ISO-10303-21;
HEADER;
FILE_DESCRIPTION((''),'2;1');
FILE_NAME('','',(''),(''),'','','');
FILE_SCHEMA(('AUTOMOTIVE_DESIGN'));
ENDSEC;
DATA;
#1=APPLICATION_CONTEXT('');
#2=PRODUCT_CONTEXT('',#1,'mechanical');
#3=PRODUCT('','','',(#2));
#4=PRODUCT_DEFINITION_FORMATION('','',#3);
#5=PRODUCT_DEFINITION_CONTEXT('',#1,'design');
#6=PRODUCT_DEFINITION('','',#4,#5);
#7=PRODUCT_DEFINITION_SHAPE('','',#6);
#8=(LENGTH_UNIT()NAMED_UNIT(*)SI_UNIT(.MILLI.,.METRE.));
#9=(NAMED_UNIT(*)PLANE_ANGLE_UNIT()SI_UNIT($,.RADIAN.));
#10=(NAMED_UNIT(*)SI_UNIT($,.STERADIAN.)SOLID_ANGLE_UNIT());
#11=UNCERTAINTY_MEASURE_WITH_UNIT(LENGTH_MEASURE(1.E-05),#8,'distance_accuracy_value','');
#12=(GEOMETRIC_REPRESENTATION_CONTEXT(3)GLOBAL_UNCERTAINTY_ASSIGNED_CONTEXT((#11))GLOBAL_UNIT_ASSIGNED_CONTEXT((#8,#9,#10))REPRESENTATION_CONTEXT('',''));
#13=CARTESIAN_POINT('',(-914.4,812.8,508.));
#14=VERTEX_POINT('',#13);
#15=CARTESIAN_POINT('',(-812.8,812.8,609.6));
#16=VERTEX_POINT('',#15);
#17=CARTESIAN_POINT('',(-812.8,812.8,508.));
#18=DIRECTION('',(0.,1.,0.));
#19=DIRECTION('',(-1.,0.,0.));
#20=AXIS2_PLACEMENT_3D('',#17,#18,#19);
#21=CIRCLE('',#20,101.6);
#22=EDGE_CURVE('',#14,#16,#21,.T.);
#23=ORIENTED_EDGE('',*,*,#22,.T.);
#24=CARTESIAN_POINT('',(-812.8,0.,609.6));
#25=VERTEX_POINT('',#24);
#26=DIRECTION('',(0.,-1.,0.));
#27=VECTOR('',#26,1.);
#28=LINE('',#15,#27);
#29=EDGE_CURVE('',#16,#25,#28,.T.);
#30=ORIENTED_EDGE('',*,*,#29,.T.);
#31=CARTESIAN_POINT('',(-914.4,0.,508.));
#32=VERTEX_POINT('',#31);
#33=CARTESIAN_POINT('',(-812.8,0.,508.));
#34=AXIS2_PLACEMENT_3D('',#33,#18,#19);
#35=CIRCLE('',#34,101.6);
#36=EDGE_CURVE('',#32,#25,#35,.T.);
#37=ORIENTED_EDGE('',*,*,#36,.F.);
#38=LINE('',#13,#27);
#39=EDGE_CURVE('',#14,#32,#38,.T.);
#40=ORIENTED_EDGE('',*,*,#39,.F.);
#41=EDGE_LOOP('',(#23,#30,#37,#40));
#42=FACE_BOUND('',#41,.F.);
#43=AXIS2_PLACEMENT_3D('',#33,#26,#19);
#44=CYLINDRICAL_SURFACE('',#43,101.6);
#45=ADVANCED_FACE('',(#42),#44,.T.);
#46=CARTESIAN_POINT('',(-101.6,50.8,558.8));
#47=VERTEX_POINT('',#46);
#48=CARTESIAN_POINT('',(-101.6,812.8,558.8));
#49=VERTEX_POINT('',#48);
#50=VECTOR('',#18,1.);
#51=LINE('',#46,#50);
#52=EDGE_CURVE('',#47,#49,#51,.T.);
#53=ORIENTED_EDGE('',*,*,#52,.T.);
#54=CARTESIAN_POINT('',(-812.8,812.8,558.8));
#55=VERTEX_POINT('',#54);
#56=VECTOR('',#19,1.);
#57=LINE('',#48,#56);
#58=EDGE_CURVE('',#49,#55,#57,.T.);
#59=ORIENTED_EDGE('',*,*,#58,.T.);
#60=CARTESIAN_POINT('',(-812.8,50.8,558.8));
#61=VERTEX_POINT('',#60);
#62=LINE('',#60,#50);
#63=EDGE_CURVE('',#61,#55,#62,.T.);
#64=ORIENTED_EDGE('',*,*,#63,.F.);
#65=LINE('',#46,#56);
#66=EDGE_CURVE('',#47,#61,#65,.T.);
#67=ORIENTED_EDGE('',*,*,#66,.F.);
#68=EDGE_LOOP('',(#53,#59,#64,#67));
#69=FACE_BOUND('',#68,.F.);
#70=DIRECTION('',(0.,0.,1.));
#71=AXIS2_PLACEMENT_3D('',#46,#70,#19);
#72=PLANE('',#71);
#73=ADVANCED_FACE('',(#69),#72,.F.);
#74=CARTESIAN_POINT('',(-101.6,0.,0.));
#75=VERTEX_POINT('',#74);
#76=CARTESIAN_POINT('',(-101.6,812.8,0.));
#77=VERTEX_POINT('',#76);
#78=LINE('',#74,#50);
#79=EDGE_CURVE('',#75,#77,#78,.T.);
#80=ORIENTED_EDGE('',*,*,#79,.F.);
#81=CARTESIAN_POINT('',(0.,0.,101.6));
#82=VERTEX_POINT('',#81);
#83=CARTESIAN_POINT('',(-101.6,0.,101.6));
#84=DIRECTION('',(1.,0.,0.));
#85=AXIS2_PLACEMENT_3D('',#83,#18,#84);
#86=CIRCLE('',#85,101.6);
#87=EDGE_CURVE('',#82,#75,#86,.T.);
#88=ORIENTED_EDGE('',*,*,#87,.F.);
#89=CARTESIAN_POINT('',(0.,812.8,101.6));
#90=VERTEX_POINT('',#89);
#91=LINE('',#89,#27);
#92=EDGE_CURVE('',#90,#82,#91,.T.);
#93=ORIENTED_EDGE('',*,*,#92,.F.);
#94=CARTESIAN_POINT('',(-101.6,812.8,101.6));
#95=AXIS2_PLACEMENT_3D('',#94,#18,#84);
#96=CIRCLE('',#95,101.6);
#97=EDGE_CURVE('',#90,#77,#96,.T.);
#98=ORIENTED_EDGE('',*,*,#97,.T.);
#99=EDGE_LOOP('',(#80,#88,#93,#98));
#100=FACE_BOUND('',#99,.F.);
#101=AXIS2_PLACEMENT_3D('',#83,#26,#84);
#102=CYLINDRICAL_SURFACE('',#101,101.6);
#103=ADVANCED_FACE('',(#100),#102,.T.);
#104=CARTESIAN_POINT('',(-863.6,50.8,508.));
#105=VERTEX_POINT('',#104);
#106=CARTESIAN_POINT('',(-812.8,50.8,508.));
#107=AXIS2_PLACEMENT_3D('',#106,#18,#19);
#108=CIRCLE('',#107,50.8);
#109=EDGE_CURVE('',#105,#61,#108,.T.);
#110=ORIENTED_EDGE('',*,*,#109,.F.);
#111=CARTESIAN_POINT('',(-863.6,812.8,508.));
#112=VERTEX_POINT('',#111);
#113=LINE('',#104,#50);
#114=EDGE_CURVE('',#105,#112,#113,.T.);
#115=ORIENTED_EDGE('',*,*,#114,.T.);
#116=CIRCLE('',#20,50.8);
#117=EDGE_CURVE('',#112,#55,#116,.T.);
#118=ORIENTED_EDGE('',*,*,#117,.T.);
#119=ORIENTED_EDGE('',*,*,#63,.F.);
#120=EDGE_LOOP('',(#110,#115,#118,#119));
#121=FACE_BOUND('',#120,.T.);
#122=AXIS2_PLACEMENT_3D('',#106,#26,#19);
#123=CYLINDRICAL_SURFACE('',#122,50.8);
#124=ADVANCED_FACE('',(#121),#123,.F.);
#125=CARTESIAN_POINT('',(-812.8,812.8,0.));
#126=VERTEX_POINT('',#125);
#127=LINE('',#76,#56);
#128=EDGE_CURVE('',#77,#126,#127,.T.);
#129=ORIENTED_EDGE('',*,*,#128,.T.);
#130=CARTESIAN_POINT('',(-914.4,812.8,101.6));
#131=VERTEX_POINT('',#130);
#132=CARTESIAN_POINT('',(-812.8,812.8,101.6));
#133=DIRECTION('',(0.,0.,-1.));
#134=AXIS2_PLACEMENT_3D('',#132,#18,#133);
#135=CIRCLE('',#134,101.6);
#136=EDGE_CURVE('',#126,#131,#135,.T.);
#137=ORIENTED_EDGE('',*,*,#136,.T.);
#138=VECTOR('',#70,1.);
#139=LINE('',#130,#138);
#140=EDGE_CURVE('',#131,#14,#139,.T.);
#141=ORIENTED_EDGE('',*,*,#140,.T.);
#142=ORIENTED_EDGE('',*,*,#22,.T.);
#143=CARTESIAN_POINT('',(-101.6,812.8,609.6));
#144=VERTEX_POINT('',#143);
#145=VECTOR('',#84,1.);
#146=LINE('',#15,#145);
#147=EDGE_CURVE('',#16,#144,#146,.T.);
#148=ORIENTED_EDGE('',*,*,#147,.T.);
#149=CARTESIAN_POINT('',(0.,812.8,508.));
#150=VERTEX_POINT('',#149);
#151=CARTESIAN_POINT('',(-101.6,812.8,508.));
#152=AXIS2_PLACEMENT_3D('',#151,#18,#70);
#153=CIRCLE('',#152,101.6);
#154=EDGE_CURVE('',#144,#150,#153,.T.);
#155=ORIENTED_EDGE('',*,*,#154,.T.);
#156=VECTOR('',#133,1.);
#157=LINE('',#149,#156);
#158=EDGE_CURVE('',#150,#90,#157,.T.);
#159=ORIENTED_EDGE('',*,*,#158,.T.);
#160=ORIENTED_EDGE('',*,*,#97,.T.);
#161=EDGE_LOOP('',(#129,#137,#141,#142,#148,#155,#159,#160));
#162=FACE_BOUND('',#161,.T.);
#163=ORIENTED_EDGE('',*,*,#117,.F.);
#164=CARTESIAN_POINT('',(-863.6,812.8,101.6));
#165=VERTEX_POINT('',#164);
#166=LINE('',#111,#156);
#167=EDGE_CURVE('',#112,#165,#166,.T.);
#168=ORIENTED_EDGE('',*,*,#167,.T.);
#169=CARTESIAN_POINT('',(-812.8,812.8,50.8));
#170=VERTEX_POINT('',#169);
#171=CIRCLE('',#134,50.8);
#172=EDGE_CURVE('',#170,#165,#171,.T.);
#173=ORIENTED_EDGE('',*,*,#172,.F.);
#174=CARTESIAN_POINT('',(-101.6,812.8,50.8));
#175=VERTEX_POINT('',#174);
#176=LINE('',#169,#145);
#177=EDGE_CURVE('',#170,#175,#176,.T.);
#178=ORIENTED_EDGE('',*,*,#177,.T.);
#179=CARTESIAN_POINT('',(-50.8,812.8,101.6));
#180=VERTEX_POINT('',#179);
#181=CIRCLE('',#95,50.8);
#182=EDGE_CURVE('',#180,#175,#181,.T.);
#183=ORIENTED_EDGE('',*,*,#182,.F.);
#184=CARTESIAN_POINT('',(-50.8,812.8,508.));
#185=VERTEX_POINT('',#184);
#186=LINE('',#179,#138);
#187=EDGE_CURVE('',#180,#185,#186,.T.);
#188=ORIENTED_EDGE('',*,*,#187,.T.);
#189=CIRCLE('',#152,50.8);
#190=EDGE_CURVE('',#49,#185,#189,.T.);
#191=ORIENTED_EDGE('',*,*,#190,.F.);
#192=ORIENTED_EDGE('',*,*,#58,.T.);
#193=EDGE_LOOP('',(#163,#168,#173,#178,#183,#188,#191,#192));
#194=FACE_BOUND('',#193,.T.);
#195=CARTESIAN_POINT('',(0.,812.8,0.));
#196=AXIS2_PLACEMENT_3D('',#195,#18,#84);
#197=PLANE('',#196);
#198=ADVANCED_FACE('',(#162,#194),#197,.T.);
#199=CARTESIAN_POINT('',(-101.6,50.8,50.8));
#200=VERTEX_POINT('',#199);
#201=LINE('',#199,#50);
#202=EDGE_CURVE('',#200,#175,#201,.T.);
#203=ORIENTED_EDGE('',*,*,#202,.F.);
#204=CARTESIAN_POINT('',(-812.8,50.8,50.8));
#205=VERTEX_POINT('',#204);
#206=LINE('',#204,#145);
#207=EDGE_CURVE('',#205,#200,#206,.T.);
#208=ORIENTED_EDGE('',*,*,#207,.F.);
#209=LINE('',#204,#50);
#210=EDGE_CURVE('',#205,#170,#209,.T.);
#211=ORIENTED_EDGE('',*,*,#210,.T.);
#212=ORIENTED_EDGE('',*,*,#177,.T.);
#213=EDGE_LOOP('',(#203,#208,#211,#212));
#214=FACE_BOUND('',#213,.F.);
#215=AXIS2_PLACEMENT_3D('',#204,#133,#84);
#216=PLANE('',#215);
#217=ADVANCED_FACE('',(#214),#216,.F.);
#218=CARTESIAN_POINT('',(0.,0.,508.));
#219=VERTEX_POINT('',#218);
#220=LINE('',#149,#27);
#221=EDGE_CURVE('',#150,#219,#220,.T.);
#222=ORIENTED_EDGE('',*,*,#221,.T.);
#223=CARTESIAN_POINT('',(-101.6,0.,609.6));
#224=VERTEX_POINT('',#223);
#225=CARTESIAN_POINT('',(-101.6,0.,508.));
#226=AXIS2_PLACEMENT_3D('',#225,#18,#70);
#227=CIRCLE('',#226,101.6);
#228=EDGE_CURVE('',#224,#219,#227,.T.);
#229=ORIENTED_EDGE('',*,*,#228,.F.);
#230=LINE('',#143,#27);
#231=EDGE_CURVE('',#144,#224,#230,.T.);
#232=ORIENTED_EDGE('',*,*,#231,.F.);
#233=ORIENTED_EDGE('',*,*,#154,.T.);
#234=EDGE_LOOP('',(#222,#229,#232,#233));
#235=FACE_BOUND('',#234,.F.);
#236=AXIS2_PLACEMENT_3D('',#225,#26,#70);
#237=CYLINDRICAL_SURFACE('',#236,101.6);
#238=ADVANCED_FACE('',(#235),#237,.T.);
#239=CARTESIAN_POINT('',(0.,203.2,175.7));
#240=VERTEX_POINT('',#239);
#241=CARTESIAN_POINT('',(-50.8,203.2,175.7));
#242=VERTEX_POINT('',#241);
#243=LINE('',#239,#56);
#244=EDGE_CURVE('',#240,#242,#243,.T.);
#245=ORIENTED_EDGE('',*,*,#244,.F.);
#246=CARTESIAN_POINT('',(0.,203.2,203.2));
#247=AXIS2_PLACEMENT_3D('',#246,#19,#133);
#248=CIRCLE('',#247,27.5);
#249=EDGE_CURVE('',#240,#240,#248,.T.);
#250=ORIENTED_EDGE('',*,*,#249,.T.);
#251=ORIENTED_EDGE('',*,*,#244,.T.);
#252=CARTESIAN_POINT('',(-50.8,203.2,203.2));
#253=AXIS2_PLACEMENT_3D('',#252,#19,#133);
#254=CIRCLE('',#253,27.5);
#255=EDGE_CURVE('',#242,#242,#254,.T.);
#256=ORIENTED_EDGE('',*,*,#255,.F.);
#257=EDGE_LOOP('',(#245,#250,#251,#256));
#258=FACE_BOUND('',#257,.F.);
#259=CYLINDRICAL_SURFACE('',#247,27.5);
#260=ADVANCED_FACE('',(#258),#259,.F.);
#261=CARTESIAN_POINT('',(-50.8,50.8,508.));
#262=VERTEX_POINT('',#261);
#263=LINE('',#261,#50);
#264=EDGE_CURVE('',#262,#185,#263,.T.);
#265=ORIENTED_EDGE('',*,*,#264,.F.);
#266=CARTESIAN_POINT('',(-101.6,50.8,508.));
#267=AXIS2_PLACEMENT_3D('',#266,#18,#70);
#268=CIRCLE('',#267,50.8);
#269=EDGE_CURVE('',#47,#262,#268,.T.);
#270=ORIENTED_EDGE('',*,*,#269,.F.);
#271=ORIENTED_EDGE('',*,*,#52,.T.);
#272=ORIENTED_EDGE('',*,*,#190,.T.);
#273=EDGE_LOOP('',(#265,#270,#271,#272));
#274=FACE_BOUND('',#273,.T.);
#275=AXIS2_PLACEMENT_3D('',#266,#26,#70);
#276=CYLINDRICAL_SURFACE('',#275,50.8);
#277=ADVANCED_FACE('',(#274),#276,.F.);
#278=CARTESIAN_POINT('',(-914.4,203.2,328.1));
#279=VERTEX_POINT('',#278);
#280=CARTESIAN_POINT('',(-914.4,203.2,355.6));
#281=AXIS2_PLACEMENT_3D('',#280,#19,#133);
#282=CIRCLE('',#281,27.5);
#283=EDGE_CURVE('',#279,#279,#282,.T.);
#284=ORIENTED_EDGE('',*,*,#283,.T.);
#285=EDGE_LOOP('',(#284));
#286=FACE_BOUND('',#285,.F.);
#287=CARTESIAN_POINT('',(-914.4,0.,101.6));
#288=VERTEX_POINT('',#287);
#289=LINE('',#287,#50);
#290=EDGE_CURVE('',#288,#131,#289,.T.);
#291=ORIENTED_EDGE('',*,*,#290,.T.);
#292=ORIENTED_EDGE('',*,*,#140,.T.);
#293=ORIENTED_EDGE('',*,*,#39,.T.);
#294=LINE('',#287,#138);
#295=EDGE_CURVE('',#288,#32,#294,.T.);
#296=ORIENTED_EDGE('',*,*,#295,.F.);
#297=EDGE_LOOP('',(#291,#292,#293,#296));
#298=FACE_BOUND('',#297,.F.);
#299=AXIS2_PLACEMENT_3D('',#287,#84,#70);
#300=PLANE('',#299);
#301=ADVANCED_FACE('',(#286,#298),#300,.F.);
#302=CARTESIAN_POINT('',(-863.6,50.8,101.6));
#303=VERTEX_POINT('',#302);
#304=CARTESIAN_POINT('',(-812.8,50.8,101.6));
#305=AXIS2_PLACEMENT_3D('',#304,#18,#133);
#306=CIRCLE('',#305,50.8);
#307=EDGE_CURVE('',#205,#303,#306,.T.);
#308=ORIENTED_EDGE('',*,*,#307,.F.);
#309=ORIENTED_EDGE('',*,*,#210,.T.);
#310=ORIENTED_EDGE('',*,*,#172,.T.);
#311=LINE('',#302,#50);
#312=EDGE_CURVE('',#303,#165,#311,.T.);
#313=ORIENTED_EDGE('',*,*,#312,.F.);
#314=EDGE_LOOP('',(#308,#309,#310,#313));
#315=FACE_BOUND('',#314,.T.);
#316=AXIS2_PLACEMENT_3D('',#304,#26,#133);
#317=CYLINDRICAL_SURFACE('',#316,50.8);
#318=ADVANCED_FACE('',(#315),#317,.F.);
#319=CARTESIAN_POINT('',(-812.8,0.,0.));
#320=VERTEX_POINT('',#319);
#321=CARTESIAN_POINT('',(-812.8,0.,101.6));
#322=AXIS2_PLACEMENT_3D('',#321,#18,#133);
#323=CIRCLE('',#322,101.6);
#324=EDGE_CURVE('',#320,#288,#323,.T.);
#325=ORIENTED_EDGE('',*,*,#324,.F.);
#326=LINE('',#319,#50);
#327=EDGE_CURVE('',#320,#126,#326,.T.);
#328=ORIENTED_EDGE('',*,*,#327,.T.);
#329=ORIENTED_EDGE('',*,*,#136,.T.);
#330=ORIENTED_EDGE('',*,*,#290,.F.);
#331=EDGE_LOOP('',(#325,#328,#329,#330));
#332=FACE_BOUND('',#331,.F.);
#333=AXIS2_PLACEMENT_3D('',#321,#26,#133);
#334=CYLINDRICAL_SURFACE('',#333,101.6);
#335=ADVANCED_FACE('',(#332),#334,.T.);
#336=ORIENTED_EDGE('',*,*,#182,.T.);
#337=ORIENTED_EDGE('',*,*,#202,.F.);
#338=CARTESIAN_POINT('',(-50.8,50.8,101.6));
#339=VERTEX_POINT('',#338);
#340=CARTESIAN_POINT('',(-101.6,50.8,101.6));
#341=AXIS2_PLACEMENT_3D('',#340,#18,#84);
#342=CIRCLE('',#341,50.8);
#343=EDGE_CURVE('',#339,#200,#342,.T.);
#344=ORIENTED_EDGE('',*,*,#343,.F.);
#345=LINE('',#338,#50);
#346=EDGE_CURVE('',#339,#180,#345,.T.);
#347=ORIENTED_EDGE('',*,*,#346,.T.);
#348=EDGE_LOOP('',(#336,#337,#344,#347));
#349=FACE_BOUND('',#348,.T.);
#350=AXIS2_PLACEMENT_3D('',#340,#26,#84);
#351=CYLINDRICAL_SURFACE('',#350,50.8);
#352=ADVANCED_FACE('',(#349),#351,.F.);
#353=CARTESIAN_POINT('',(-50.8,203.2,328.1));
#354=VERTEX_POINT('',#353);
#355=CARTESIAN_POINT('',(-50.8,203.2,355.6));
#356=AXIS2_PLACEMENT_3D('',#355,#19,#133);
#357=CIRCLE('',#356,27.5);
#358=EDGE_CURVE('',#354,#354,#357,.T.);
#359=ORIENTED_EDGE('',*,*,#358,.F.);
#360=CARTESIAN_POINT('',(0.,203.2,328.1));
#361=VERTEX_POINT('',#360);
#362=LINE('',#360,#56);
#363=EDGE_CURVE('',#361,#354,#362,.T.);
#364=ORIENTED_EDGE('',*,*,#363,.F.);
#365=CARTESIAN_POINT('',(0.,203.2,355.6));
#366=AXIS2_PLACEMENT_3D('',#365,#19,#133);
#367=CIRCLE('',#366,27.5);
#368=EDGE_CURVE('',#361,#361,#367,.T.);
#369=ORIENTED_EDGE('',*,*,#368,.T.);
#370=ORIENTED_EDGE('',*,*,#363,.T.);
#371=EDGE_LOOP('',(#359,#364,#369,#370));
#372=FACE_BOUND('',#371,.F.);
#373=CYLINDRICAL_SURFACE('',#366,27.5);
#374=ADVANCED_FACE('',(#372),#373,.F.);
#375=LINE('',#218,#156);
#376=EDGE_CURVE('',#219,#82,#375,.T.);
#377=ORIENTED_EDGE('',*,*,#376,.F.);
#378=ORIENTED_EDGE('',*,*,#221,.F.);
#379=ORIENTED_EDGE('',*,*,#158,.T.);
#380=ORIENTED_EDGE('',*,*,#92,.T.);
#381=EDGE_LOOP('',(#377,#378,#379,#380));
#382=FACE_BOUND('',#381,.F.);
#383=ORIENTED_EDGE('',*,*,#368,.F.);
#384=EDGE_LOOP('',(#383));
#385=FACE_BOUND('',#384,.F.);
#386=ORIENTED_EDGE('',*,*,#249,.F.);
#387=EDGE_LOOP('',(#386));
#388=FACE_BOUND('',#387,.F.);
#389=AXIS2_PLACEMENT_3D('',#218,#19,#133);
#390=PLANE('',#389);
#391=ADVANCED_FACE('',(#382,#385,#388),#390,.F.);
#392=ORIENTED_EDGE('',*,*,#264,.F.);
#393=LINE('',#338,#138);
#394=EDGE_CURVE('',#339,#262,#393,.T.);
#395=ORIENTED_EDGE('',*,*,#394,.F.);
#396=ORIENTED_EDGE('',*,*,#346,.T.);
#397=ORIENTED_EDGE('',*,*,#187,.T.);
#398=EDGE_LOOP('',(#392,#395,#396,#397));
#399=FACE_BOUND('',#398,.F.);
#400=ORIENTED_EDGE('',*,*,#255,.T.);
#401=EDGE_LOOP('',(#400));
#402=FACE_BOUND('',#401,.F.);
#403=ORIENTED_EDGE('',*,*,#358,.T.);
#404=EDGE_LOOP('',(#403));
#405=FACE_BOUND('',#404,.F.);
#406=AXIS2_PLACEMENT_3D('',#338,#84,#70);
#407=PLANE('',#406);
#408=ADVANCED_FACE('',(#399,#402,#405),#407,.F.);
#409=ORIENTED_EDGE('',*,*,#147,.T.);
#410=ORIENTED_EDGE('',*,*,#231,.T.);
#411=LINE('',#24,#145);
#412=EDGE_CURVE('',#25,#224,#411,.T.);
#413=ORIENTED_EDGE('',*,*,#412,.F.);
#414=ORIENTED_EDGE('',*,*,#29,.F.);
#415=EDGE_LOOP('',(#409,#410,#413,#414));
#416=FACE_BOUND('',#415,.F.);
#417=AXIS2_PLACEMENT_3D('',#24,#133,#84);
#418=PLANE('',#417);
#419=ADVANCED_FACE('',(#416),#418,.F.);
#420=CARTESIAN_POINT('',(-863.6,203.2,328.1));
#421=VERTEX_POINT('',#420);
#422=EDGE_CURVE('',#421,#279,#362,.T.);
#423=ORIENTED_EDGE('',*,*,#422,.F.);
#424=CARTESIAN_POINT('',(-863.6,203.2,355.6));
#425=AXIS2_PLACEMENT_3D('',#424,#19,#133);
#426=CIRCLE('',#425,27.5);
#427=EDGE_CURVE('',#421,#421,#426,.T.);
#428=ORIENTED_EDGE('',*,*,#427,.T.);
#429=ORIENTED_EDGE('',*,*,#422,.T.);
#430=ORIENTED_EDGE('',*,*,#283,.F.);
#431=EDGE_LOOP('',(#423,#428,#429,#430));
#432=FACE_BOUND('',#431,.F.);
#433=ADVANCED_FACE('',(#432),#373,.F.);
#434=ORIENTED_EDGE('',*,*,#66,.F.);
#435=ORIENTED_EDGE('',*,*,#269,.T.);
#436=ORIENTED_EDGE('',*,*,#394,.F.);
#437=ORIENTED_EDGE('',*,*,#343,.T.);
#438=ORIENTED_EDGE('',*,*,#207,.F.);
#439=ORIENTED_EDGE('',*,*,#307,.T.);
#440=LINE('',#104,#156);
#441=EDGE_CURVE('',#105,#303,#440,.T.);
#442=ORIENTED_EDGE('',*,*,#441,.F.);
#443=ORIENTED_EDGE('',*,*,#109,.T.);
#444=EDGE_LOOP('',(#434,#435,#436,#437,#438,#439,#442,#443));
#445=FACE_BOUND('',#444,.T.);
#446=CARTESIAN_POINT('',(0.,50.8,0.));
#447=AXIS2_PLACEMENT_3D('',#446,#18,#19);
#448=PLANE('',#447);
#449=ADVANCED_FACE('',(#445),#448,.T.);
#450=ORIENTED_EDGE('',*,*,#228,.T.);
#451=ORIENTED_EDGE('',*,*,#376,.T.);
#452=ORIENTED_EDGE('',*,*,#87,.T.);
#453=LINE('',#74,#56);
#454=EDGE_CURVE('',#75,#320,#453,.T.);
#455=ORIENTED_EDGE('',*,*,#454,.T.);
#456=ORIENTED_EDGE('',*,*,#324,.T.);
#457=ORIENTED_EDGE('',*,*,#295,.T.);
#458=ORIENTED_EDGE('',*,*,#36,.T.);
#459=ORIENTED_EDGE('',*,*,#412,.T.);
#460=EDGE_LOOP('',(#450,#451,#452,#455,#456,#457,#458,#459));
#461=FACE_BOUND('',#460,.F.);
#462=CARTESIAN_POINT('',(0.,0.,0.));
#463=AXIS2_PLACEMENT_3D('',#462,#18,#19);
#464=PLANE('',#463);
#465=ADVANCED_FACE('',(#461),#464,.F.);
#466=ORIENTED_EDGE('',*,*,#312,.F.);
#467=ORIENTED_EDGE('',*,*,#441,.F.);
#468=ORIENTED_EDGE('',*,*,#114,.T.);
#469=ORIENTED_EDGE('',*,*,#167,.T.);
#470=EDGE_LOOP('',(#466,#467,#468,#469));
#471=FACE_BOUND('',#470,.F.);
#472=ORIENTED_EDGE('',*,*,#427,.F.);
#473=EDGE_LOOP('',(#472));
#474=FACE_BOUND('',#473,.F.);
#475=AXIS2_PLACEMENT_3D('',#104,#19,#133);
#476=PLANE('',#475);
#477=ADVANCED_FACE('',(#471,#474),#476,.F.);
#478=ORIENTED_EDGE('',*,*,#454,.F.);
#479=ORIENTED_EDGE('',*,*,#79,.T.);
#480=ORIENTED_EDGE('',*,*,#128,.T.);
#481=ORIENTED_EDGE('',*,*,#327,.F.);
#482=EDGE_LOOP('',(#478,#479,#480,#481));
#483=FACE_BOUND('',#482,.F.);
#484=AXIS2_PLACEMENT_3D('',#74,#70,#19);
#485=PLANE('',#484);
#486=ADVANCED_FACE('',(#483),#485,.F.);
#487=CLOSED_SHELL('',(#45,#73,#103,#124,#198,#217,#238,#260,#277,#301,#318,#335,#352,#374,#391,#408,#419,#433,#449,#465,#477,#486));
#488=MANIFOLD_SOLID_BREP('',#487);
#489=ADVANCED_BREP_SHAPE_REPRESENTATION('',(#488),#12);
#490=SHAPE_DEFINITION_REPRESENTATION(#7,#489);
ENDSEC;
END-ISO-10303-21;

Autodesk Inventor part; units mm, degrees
ref_plane "YZ Plane" through (0, 0, 0) normal (1, 0, 0) x (0, 1, 0)
ref_plane "XZ Plane" through (0, 0, 0) normal (0, 1, 0) x (-1, 0, 0)
ref_plane "XY Plane" through (0, 0, 0) normal (0, 0, 1) x (1, 0, 0)
sketch "Sketch1" plane through (0, 0, 0) normal (0, 1, 0) x (-1, 0, 0)
  line L0 (101.6, 0) -> (812.8, 0)
  line L1 (914.4, 101.6) -> (914.4, 508)
  line L2 (812.8, 609.6) -> (101.6, 609.6)
  line L3 (0, 508) -> (0, 101.6)
  arc A0 (101.6, 609.6) -> (0, 508) centre (101.6, 508) ccw
  arc A1 (0, 101.6) -> (101.6, 0) centre (101.6, 101.6) ccw
  arc A2 (812.8, 0) -> (914.4, 101.6) centre (812.8, 101.6) ccw
  arc A3 (914.4, 508) -> (812.8, 609.6) centre (812.8, 508) ccw
  point P0 (0, 0)
  point P1 (914.4, 609.6)
  point P2 (914.4, 0)
  point P3 (0, 609.6)
  dimension "d0" = 914.4
  dimension "d1" = 609.6
  dimension "d9" = 101.6
extrude "Extrusion1" add sketch "Sketch1" along normal blind 50.8
sketch "Sketch3" plane through (0, 50.8, 0) normal (0, 1, 0) x (1, 0, 0)
  line L0 (0, -508) -> (0, -101.6) projected
  arc A0 (0, -101.6) -> (-101.6, 0) centre (-101.6, -101.6) ccw projected
  line L1 (-101.6, 0) -> (-812.8, 0) projected
  arc A1 (-812.8, 0) -> (-914.4, -101.6) centre (-812.8, -101.6) ccw projected
  line L2 (-914.4, -101.6) -> (-914.4, -508) projected
  arc A2 (-914.4, -508) -> (-812.8, -609.6) centre (-812.8, -508) ccw projected
  line L3 (-812.8, -609.6) -> (-101.6, -609.6) projected
  arc A3 (-101.6, -609.6) -> (0, -508) centre (-101.6, -508) ccw projected
  line L4 (-812.8, -50.8) -> (-101.6, -50.8)
  arc A4 (-50.8, -101.6) -> (-101.6, -50.8) centre (-101.6, -101.6) ccw
  line L5 (-50.8, -101.6) -> (-50.8, -508)
  arc A5 (-101.6, -558.8) -> (-50.8, -508) centre (-101.6, -508) ccw
  line L6 (-101.6, -558.8) -> (-812.8, -558.8)
  arc A6 (-863.6, -508) -> (-812.8, -558.8) centre (-812.8, -508) ccw
  line L7 (-863.6, -508) -> (-863.6, -101.6)
  arc A7 (-812.8, -50.8) -> (-863.6, -101.6) centre (-812.8, -101.6) ccw
  point P0 (0, 0)
  dimension "d10" = 50.8
extrude "Extrusion3" add sketch "Sketch3" along normal blind 762
sketch "Sketch6" plane through (0, 0, 508) normal (1, 0, 0) x (0, 0, -1)
  line L0 (0, 812.8) -> (406.4, 812.8) projected
  line L1 (0, 0) -> (0, 812.8) projected
  circle A0 centre (152.4, 203.2) radius 21.7288
  point P0 (508, 0)
  dimension "d35" = 609.6
  dimension "d36" = 152.4
hole "Hole3" at (0, 203.2, 355.6) direction (-1, 0, 0) diameter 55 end through all
sketch "Sketch7" plane through (0, 0, 508) normal (1, 0, 0) x (0, 0, -1)
  circle A0 centre (152.4, 203.2) radius 27.5 projected
  circle A1 centre (304.8, 203.2) radius 31.75
  point P0 (508, 0)
  dimension "d44" = 63.5
  dimension "d45" = 152.4
hole "Hole4" at (0, 203.2, 203.2) direction (-1, 0, 0) diameter 55 depth 152.4 tip angle 118
properties part number "pullbox"
